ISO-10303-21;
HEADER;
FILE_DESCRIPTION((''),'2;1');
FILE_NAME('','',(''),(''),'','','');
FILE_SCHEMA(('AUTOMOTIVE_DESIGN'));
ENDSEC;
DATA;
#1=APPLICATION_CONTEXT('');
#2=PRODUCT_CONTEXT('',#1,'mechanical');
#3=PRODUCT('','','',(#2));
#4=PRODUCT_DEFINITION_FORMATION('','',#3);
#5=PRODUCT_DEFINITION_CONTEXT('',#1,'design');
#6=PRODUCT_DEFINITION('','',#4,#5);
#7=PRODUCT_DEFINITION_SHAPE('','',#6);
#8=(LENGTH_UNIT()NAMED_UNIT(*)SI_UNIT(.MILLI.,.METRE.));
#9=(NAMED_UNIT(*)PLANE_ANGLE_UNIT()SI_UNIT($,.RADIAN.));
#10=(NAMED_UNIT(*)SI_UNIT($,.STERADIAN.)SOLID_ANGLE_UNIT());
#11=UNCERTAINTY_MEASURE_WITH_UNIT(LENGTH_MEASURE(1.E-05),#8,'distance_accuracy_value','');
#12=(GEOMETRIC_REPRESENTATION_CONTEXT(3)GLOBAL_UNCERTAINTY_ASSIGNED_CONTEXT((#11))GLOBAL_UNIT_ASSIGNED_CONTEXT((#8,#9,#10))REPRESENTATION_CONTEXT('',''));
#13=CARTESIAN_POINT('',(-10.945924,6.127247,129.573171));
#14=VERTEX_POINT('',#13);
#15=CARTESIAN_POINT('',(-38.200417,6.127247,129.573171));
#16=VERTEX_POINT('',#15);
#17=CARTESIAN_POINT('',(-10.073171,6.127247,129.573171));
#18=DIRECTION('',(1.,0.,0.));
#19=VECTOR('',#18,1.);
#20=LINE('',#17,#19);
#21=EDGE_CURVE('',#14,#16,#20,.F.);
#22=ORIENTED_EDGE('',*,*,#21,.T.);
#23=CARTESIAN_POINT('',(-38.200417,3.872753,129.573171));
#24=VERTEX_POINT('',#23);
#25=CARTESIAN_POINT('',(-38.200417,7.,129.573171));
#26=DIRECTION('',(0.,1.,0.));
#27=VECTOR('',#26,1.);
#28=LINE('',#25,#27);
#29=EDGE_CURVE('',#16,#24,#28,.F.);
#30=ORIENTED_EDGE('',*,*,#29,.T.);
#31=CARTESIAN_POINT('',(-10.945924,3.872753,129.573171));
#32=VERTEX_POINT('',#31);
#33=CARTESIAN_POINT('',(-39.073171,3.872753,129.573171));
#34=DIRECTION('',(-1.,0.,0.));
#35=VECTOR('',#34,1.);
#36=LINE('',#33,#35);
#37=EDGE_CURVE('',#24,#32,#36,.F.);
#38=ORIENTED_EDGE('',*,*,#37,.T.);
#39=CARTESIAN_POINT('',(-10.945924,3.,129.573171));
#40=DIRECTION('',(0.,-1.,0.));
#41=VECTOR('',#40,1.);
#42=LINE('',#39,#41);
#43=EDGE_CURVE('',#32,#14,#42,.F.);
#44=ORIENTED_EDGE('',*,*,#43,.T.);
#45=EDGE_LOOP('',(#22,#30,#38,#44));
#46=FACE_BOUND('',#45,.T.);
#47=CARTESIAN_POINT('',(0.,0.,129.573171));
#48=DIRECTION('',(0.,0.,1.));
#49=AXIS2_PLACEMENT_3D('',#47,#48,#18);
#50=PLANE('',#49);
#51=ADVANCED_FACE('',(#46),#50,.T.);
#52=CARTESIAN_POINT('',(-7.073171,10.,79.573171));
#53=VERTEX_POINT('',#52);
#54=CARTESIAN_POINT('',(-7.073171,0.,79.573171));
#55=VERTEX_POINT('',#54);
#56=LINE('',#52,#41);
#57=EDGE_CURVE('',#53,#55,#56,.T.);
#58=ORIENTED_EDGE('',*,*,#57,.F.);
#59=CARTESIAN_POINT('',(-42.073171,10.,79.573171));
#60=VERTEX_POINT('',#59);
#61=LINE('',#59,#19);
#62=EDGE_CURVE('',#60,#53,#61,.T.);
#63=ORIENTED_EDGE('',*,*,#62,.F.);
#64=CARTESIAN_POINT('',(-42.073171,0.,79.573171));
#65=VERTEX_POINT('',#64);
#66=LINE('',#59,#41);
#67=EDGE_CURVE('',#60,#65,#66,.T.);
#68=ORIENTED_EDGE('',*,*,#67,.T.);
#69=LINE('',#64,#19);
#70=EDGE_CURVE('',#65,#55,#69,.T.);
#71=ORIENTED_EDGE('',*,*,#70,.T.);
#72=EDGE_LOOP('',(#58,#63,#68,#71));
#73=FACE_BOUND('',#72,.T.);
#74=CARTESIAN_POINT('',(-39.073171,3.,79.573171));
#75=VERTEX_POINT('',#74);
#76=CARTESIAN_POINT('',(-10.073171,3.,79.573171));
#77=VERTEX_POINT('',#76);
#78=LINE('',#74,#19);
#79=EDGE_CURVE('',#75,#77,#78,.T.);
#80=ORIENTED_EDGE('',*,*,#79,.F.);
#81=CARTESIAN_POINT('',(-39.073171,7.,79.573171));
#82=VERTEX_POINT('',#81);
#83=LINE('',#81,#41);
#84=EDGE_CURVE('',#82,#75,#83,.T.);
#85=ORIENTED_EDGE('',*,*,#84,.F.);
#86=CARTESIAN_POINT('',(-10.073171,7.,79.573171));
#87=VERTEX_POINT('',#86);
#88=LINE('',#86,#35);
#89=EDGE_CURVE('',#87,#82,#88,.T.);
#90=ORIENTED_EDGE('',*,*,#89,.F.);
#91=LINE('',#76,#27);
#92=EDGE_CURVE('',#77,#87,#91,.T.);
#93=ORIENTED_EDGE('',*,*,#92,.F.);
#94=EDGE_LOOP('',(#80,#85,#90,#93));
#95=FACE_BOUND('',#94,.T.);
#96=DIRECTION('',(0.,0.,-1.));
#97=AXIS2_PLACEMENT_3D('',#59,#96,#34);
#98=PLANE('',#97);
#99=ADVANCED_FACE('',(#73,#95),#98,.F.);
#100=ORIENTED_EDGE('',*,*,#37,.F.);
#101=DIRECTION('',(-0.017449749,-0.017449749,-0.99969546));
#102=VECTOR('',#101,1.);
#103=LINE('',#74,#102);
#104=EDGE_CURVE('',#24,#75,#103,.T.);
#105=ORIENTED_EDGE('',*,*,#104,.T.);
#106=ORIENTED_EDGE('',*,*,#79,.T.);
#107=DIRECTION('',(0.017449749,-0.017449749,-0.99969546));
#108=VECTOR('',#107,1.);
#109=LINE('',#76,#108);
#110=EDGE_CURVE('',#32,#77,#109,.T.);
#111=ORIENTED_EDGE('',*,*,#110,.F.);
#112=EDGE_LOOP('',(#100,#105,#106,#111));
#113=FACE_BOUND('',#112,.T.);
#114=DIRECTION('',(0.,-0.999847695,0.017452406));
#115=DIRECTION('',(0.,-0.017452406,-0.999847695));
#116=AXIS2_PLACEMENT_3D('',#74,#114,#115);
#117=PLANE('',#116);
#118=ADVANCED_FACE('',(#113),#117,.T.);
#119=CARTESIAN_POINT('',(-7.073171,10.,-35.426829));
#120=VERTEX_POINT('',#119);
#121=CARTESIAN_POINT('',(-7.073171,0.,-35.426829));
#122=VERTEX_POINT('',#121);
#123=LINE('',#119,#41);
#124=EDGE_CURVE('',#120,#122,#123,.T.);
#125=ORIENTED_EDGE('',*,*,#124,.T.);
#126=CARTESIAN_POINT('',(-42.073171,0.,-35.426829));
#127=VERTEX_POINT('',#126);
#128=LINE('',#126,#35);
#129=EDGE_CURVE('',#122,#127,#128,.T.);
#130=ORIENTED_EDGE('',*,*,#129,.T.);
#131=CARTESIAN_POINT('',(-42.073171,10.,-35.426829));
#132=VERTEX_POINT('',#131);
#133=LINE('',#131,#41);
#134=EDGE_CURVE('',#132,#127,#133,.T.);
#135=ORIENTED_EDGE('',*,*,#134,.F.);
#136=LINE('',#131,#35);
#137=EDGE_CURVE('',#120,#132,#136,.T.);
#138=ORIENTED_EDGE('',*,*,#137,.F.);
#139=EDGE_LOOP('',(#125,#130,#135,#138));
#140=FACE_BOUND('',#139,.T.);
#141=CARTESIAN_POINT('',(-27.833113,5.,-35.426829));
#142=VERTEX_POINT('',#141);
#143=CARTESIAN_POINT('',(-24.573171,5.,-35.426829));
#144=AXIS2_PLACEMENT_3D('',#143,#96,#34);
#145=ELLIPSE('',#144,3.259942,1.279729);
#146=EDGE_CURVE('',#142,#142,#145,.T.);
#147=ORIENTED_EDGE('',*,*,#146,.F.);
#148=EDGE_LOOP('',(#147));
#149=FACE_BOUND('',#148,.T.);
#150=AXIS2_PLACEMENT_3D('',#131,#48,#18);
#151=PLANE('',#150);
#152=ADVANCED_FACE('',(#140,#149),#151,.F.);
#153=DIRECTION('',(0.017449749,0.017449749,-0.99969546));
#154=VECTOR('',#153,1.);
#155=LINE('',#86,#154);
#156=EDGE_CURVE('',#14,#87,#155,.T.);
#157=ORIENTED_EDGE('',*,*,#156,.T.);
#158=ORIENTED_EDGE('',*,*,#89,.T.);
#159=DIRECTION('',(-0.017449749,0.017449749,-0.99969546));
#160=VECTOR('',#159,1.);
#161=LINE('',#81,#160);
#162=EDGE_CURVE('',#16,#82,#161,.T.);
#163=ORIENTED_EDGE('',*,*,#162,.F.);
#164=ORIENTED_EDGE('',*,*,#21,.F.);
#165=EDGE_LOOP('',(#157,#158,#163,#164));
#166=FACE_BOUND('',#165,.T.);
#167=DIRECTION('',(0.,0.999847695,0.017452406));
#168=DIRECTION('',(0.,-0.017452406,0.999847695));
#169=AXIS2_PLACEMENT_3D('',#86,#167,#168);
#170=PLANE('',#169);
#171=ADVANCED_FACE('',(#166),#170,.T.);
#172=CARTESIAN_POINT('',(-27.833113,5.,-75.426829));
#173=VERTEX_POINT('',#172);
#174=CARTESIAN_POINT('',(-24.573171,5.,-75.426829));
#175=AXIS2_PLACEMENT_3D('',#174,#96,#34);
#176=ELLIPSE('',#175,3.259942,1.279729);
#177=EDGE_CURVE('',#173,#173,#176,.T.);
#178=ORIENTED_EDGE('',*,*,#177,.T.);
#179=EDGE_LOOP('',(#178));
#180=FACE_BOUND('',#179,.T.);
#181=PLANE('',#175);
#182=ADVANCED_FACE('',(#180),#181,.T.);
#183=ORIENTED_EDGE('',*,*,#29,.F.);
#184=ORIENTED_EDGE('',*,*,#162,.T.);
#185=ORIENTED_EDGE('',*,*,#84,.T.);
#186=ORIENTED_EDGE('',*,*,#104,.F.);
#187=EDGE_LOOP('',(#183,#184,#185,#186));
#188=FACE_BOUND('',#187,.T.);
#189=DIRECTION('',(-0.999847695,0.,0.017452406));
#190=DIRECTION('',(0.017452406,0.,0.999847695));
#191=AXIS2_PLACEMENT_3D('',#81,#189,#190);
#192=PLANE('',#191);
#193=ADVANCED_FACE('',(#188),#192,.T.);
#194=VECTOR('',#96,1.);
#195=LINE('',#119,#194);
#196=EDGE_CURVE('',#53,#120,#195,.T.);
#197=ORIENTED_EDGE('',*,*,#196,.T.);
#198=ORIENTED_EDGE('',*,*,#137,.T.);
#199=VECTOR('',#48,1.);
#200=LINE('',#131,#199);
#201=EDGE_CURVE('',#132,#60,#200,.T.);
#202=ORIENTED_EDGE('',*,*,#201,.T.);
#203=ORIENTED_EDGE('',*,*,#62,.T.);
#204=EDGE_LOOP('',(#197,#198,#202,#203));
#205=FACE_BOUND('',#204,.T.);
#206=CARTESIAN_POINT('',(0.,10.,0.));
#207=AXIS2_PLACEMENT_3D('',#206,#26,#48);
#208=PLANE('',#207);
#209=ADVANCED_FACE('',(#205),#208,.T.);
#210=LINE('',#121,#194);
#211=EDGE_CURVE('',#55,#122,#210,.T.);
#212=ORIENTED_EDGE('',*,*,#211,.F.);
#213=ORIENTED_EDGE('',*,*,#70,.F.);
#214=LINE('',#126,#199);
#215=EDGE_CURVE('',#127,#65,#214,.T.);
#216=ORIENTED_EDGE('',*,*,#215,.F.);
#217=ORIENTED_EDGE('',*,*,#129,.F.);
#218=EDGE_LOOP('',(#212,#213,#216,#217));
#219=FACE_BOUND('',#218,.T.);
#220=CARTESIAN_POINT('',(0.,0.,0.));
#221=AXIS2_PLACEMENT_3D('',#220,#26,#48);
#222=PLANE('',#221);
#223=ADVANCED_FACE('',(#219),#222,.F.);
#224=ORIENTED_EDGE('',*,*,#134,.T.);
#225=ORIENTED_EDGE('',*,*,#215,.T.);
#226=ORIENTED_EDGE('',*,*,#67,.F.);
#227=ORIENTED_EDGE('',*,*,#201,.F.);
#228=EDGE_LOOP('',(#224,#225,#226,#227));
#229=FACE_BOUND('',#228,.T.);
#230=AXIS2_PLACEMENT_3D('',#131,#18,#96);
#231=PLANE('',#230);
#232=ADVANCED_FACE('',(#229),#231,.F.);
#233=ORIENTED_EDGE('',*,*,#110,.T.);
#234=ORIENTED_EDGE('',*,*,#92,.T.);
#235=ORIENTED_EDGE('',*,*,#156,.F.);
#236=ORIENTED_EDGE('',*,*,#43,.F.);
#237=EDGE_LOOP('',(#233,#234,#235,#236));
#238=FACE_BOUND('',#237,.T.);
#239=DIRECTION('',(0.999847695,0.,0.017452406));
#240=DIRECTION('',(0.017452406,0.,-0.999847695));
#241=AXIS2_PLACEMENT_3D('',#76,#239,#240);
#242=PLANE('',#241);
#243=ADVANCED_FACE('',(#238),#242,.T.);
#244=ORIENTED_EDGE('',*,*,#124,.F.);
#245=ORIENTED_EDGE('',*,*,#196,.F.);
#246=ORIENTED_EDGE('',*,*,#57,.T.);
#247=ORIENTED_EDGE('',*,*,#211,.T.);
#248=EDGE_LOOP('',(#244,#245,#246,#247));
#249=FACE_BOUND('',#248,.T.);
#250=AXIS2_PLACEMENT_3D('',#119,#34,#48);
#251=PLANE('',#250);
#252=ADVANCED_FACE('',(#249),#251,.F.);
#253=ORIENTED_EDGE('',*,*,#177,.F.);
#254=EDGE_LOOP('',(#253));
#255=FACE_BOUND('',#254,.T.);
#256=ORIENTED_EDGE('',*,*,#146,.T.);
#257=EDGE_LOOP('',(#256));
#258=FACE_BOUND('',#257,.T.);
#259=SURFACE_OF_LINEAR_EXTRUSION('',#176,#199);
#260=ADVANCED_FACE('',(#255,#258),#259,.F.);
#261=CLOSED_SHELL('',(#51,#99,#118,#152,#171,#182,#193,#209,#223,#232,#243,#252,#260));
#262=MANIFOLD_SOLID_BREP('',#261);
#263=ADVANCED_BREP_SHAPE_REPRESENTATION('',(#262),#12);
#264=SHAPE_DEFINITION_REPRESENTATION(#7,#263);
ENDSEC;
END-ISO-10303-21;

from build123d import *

# Parameters (mm, degrees)
SKETCH1_W           = 35
SKETCH1_H           = 115
BOSS_EXTRUDE1_DEPTH = 10
SKETCH2_W           = 29
SKETCH2_H           = 4
BOSS_EXTRUDE2_DEPTH = 50
BOSS_EXTRUDE2_TAPER = 1
SKETCH3_RX          = 3.259941838
SKETCH3_RY          = 1.279729234
BOSS_EXTRUDE3_DEPTH = 40


with BuildPart() as part:
    # Sketch1 → Boss-Extrude1 (new body)
    with BuildSketch(Plane(origin=(0, 0, 0), x_dir=(1, 0, 0), z_dir=(0, 1, 0))):
        with Locations((-24.573170732, -22.073170732)):
            Rectangle(SKETCH1_W, SKETCH1_H)
    extrude(amount=BOSS_EXTRUDE1_DEPTH)

    # Sketch2 → Boss-Extrude2 (add)
    with BuildSketch(Plane.XY.offset(79.573170732)):
        with Locations((-24.573170732, 5)):
            Rectangle(SKETCH2_W, SKETCH2_H)
    extrude(amount=BOSS_EXTRUDE2_DEPTH, taper=BOSS_EXTRUDE2_TAPER)

    # Sketch3 → Boss-Extrude3 (add)
    with BuildSketch(Plane(origin=(0, 0, -35.426829268), x_dir=(-1, 0, 0), z_dir=(0, 0, -1))):
        with Locations((24.573170732, 5)):
            Ellipse(SKETCH3_RX, SKETCH3_RY)
    extrude(amount=BOSS_EXTRUDE3_DEPTH)


solid = part.part
